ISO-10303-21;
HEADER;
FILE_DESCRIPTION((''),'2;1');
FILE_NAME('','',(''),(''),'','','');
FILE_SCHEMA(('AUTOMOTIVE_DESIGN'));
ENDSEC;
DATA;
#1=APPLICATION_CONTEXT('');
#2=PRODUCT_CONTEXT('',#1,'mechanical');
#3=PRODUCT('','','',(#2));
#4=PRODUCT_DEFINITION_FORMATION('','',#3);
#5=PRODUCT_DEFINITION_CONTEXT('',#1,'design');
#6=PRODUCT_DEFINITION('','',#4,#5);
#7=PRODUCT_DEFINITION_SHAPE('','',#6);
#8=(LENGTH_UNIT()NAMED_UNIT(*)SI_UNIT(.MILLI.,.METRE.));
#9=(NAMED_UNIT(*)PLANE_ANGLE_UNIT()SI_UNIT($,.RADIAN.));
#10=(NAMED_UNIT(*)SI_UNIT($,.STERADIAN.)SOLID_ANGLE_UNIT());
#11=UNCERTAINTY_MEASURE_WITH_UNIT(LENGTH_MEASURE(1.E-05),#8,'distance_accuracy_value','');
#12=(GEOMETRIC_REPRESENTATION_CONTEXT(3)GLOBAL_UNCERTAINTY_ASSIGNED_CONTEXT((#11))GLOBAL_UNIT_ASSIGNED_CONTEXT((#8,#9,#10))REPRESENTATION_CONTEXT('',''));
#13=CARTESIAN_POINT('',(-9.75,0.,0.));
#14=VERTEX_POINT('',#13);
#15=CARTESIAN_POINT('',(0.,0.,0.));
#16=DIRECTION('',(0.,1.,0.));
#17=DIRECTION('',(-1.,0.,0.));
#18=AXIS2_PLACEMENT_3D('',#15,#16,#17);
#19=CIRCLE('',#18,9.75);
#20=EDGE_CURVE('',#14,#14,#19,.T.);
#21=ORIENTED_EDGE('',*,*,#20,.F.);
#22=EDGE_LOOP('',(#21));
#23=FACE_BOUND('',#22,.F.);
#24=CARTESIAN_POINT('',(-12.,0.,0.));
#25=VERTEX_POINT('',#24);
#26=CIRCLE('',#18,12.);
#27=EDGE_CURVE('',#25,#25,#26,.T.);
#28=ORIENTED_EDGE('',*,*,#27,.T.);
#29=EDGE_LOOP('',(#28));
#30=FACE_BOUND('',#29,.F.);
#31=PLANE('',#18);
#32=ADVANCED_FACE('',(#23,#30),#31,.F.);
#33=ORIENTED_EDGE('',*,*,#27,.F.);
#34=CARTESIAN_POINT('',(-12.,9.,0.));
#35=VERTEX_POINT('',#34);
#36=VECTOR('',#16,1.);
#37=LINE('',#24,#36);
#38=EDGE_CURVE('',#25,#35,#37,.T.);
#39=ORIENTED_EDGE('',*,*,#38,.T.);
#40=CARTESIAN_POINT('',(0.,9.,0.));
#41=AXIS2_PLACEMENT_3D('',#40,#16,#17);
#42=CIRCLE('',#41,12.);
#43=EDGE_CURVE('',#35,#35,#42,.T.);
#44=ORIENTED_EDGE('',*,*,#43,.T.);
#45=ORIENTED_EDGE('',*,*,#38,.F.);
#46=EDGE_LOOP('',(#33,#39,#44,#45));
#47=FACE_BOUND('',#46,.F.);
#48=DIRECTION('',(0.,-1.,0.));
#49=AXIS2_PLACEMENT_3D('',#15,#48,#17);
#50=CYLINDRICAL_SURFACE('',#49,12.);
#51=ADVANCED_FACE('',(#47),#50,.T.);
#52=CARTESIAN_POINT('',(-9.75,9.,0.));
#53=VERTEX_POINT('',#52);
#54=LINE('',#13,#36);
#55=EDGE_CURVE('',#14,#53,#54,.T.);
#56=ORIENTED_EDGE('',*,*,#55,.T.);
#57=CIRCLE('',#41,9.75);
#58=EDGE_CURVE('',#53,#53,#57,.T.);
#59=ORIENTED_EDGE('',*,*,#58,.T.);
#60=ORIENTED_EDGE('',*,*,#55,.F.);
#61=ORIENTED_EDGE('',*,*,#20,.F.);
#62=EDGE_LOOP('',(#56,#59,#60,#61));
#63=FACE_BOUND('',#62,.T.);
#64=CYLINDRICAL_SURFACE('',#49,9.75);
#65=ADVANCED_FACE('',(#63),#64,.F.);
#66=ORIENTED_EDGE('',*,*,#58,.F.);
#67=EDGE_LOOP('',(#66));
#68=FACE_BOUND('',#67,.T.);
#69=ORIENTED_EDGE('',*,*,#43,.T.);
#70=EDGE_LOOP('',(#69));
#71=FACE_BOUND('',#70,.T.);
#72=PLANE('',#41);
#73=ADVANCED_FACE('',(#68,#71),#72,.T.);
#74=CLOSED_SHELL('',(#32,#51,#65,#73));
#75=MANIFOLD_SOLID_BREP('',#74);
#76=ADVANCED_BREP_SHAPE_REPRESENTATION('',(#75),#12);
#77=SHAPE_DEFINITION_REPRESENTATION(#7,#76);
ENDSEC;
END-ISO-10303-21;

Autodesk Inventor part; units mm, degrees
ref_plane "YZ Plane" through (0, 0, 0) normal (1, 0, 0) x (0, 1, 0)
ref_plane "XZ Plane" through (0, 0, 0) normal (0, 1, 0) x (-1, 0, 0)
ref_plane "XY Plane" through (0, 0, 0) normal (0, 0, 1) x (1, 0, 0)
sketch "Sketch1" plane through (0, 0, 0) normal (0, 1, 0) x (-1, 0, 0)
  circle A0 centre (0, 0) radius 9.75
  circle A1 centre (0, 0) radius 12
  dimension "d0" = 19.5
  dimension "d1" = 24
extrude "Extrusion1" add sketch "Sketch1" along normal blind 9
properties part number "tyre" material "Rubber"
